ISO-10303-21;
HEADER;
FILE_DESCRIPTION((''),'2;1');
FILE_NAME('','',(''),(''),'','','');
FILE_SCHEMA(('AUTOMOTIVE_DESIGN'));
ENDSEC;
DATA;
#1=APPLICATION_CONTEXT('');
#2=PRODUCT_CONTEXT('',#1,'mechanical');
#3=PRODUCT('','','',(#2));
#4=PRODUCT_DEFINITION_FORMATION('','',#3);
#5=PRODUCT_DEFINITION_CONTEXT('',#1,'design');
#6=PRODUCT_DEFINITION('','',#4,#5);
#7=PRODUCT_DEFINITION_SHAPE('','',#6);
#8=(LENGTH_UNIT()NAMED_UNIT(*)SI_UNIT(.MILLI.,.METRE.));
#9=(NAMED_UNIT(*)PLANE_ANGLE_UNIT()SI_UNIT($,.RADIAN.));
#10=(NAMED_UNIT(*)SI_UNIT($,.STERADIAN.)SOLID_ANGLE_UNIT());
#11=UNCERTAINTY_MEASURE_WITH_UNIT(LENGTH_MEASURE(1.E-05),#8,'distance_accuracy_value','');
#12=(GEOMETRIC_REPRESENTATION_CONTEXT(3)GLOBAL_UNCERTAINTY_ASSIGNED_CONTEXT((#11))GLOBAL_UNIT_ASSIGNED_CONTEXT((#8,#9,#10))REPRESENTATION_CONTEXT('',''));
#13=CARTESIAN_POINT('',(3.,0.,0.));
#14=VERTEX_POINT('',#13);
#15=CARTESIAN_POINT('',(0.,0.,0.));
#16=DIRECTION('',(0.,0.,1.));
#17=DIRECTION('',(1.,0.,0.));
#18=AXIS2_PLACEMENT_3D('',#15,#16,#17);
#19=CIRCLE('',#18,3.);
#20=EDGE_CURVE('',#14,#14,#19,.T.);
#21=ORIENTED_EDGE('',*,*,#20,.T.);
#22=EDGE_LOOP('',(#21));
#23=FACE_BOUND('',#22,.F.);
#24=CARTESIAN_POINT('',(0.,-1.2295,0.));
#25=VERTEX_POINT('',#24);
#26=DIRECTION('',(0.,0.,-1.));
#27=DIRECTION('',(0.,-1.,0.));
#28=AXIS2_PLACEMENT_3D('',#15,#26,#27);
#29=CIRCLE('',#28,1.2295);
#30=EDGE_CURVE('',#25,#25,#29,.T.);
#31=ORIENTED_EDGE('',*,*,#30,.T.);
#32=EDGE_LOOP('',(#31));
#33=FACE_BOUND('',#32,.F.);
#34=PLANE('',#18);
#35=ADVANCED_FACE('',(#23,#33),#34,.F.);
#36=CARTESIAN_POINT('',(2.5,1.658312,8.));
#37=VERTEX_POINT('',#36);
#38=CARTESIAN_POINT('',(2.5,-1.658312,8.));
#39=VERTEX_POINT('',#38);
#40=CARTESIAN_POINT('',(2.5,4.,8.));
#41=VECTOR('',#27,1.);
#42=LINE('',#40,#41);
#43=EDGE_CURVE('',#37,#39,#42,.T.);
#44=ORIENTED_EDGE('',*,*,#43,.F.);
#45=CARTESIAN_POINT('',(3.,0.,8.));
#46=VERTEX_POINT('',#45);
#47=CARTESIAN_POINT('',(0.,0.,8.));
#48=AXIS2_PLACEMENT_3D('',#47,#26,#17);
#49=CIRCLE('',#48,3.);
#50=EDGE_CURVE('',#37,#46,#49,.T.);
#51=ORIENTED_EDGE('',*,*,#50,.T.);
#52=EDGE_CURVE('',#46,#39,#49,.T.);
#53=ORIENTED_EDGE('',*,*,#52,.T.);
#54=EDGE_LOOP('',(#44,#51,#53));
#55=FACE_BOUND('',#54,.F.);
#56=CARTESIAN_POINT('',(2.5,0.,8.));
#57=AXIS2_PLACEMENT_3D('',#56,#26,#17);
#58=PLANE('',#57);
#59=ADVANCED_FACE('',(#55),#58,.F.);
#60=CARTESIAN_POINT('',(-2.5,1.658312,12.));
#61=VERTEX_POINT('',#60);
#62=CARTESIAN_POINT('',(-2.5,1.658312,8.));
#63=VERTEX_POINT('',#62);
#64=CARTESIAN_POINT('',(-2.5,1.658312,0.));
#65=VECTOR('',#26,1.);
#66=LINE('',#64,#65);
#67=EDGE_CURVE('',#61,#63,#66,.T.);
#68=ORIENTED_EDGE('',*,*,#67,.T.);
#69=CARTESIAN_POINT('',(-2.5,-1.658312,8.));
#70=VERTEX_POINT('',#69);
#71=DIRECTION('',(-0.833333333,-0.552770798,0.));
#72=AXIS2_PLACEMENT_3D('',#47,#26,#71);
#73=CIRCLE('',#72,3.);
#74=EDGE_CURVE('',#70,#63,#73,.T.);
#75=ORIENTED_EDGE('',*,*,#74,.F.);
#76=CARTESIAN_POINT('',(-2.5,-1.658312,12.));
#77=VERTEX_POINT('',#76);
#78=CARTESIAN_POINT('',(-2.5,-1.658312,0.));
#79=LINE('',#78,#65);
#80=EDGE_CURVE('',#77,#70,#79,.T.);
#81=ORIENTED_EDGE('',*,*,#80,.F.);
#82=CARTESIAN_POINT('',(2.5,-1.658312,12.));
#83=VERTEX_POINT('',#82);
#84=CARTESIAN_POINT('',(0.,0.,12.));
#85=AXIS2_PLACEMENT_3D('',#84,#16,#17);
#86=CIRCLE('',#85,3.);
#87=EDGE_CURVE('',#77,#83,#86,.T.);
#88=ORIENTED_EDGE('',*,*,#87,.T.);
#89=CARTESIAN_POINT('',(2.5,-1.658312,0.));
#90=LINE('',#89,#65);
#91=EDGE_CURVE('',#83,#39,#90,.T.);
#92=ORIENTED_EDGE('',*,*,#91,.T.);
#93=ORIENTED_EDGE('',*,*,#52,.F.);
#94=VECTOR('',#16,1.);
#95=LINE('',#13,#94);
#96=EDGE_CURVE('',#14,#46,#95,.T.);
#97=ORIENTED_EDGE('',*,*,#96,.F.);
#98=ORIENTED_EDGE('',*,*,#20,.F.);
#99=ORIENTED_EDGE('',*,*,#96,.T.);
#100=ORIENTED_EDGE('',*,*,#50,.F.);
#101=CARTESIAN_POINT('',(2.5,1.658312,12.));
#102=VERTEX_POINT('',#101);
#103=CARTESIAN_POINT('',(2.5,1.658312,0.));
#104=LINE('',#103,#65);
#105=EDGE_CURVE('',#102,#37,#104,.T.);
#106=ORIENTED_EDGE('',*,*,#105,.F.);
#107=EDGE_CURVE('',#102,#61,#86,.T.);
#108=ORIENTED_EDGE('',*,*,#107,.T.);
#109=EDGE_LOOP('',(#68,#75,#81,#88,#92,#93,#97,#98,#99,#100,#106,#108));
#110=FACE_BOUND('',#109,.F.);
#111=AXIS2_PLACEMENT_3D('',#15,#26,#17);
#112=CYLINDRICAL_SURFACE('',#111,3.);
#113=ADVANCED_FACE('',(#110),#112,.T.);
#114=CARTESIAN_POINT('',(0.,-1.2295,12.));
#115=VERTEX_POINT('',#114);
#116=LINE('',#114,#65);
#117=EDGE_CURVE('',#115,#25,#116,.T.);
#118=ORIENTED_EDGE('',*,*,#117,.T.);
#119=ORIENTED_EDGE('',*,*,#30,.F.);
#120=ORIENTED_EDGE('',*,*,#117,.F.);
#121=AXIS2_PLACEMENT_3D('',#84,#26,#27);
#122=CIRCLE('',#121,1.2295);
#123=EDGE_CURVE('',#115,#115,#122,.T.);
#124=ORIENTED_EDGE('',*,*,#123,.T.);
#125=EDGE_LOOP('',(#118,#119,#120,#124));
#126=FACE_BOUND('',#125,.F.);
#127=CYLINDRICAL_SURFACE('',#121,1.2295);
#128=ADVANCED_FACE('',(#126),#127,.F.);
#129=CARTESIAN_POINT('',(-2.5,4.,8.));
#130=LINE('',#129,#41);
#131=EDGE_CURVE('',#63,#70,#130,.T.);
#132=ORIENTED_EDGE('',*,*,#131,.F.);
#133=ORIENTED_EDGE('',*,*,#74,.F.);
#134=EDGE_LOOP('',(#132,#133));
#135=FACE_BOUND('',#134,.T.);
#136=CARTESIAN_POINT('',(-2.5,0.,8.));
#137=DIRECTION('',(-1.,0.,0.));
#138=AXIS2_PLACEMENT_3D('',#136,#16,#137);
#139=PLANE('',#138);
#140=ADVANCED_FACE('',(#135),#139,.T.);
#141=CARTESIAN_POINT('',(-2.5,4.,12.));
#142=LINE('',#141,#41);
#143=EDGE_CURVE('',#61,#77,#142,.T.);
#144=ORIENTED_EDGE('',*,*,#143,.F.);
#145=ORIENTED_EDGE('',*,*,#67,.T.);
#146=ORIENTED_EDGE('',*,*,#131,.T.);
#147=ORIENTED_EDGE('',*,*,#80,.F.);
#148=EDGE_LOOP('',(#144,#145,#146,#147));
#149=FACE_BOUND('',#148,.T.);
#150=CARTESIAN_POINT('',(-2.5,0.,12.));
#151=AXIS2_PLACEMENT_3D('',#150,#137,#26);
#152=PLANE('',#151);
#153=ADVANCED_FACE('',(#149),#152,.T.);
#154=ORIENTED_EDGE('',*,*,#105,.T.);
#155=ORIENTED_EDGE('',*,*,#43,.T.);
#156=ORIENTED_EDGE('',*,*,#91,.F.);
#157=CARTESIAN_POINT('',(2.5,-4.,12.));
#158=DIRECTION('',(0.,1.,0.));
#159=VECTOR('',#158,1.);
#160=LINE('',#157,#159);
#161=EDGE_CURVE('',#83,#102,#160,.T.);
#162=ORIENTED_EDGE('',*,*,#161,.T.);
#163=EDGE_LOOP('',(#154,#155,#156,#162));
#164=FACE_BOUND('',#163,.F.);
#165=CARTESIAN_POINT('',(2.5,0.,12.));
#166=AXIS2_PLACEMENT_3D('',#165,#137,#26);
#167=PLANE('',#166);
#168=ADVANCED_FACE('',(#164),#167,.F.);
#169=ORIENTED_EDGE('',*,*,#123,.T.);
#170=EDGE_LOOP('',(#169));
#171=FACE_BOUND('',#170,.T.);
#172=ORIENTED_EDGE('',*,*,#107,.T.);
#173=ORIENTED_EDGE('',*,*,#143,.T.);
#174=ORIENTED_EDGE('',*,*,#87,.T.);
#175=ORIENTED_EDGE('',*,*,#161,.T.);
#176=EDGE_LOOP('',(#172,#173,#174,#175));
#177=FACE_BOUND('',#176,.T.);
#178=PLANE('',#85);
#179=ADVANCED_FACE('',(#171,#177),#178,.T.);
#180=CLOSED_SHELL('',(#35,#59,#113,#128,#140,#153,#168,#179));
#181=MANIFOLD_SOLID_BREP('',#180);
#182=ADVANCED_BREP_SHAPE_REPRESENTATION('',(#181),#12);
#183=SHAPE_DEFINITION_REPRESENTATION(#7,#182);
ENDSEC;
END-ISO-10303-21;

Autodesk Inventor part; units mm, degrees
ref_plane "YZ Plane" through (0, 0, 0) normal (1, 0, 0) x (0, 1, 0)
ref_plane "XZ Plane" through (0, 0, 0) normal (0, 1, 0) x (-1, 0, 0)
ref_plane "XY Plane" through (0, 0, 0) normal (0, 0, 1) x (1, 0, 0)
sketch "Sketch1" plane through (0, 0, 0) normal (0, 0, 1) x (1, 0, 0)
  circle A0 centre (0, 0) radius 3
  dimension "d0" = 6
extrude "Extrusion1" add sketch "Sketch1" along normal blind 12
sketch "Sketch2" plane through (0, 0, 12) normal (0, 0, 1) x (1, 0, 0)
  point P0 (0, 0)
  point P1 (0, 0)
hole "Hole1" at (0, 0, 12) direction (0, 0, -1) diameter 2.459 end through all thread size "M3x0.5" class "6H" standard "ANSI Metric M Profile"
sketch "Sketch3" plane through (0, 0, 0) normal (0, 1, 0) x (-1, 0, 0)
  line L0 (3, 0) -> (3, 12) projected
  line L1 (3, 12) -> (2.5, 12)
  line L2 (2.5, 12) -> (2.5, 8)
  line L3 (2.5, 8) -> (3, 8)
  line L4 (3, 8) -> (3, 12)
  line L5 (3, 12) -> (-3, 12) projected
  line L6 (-3, 12) -> (-2.5, 12)
  line L7 (-2.5, 12) -> (-2.5, 8)
  line L8 (-2.5, 8) -> (-3, 8)
  line L9 (-3, 8) -> (-3, 12)
  point P0 (0, 0)
  dimension "d10" = 0.5
  dimension "d11" = 5
  dimension "d12" = 0.5
  dimension "d13" = 4
extrude "Extrusion2" cut sketch "Sketch3" along normal through all both and the other way through all
equation "\"d10\" = d12"
properties part number "Pancake_Lever Weight 2" material "Aluminum 6061"
